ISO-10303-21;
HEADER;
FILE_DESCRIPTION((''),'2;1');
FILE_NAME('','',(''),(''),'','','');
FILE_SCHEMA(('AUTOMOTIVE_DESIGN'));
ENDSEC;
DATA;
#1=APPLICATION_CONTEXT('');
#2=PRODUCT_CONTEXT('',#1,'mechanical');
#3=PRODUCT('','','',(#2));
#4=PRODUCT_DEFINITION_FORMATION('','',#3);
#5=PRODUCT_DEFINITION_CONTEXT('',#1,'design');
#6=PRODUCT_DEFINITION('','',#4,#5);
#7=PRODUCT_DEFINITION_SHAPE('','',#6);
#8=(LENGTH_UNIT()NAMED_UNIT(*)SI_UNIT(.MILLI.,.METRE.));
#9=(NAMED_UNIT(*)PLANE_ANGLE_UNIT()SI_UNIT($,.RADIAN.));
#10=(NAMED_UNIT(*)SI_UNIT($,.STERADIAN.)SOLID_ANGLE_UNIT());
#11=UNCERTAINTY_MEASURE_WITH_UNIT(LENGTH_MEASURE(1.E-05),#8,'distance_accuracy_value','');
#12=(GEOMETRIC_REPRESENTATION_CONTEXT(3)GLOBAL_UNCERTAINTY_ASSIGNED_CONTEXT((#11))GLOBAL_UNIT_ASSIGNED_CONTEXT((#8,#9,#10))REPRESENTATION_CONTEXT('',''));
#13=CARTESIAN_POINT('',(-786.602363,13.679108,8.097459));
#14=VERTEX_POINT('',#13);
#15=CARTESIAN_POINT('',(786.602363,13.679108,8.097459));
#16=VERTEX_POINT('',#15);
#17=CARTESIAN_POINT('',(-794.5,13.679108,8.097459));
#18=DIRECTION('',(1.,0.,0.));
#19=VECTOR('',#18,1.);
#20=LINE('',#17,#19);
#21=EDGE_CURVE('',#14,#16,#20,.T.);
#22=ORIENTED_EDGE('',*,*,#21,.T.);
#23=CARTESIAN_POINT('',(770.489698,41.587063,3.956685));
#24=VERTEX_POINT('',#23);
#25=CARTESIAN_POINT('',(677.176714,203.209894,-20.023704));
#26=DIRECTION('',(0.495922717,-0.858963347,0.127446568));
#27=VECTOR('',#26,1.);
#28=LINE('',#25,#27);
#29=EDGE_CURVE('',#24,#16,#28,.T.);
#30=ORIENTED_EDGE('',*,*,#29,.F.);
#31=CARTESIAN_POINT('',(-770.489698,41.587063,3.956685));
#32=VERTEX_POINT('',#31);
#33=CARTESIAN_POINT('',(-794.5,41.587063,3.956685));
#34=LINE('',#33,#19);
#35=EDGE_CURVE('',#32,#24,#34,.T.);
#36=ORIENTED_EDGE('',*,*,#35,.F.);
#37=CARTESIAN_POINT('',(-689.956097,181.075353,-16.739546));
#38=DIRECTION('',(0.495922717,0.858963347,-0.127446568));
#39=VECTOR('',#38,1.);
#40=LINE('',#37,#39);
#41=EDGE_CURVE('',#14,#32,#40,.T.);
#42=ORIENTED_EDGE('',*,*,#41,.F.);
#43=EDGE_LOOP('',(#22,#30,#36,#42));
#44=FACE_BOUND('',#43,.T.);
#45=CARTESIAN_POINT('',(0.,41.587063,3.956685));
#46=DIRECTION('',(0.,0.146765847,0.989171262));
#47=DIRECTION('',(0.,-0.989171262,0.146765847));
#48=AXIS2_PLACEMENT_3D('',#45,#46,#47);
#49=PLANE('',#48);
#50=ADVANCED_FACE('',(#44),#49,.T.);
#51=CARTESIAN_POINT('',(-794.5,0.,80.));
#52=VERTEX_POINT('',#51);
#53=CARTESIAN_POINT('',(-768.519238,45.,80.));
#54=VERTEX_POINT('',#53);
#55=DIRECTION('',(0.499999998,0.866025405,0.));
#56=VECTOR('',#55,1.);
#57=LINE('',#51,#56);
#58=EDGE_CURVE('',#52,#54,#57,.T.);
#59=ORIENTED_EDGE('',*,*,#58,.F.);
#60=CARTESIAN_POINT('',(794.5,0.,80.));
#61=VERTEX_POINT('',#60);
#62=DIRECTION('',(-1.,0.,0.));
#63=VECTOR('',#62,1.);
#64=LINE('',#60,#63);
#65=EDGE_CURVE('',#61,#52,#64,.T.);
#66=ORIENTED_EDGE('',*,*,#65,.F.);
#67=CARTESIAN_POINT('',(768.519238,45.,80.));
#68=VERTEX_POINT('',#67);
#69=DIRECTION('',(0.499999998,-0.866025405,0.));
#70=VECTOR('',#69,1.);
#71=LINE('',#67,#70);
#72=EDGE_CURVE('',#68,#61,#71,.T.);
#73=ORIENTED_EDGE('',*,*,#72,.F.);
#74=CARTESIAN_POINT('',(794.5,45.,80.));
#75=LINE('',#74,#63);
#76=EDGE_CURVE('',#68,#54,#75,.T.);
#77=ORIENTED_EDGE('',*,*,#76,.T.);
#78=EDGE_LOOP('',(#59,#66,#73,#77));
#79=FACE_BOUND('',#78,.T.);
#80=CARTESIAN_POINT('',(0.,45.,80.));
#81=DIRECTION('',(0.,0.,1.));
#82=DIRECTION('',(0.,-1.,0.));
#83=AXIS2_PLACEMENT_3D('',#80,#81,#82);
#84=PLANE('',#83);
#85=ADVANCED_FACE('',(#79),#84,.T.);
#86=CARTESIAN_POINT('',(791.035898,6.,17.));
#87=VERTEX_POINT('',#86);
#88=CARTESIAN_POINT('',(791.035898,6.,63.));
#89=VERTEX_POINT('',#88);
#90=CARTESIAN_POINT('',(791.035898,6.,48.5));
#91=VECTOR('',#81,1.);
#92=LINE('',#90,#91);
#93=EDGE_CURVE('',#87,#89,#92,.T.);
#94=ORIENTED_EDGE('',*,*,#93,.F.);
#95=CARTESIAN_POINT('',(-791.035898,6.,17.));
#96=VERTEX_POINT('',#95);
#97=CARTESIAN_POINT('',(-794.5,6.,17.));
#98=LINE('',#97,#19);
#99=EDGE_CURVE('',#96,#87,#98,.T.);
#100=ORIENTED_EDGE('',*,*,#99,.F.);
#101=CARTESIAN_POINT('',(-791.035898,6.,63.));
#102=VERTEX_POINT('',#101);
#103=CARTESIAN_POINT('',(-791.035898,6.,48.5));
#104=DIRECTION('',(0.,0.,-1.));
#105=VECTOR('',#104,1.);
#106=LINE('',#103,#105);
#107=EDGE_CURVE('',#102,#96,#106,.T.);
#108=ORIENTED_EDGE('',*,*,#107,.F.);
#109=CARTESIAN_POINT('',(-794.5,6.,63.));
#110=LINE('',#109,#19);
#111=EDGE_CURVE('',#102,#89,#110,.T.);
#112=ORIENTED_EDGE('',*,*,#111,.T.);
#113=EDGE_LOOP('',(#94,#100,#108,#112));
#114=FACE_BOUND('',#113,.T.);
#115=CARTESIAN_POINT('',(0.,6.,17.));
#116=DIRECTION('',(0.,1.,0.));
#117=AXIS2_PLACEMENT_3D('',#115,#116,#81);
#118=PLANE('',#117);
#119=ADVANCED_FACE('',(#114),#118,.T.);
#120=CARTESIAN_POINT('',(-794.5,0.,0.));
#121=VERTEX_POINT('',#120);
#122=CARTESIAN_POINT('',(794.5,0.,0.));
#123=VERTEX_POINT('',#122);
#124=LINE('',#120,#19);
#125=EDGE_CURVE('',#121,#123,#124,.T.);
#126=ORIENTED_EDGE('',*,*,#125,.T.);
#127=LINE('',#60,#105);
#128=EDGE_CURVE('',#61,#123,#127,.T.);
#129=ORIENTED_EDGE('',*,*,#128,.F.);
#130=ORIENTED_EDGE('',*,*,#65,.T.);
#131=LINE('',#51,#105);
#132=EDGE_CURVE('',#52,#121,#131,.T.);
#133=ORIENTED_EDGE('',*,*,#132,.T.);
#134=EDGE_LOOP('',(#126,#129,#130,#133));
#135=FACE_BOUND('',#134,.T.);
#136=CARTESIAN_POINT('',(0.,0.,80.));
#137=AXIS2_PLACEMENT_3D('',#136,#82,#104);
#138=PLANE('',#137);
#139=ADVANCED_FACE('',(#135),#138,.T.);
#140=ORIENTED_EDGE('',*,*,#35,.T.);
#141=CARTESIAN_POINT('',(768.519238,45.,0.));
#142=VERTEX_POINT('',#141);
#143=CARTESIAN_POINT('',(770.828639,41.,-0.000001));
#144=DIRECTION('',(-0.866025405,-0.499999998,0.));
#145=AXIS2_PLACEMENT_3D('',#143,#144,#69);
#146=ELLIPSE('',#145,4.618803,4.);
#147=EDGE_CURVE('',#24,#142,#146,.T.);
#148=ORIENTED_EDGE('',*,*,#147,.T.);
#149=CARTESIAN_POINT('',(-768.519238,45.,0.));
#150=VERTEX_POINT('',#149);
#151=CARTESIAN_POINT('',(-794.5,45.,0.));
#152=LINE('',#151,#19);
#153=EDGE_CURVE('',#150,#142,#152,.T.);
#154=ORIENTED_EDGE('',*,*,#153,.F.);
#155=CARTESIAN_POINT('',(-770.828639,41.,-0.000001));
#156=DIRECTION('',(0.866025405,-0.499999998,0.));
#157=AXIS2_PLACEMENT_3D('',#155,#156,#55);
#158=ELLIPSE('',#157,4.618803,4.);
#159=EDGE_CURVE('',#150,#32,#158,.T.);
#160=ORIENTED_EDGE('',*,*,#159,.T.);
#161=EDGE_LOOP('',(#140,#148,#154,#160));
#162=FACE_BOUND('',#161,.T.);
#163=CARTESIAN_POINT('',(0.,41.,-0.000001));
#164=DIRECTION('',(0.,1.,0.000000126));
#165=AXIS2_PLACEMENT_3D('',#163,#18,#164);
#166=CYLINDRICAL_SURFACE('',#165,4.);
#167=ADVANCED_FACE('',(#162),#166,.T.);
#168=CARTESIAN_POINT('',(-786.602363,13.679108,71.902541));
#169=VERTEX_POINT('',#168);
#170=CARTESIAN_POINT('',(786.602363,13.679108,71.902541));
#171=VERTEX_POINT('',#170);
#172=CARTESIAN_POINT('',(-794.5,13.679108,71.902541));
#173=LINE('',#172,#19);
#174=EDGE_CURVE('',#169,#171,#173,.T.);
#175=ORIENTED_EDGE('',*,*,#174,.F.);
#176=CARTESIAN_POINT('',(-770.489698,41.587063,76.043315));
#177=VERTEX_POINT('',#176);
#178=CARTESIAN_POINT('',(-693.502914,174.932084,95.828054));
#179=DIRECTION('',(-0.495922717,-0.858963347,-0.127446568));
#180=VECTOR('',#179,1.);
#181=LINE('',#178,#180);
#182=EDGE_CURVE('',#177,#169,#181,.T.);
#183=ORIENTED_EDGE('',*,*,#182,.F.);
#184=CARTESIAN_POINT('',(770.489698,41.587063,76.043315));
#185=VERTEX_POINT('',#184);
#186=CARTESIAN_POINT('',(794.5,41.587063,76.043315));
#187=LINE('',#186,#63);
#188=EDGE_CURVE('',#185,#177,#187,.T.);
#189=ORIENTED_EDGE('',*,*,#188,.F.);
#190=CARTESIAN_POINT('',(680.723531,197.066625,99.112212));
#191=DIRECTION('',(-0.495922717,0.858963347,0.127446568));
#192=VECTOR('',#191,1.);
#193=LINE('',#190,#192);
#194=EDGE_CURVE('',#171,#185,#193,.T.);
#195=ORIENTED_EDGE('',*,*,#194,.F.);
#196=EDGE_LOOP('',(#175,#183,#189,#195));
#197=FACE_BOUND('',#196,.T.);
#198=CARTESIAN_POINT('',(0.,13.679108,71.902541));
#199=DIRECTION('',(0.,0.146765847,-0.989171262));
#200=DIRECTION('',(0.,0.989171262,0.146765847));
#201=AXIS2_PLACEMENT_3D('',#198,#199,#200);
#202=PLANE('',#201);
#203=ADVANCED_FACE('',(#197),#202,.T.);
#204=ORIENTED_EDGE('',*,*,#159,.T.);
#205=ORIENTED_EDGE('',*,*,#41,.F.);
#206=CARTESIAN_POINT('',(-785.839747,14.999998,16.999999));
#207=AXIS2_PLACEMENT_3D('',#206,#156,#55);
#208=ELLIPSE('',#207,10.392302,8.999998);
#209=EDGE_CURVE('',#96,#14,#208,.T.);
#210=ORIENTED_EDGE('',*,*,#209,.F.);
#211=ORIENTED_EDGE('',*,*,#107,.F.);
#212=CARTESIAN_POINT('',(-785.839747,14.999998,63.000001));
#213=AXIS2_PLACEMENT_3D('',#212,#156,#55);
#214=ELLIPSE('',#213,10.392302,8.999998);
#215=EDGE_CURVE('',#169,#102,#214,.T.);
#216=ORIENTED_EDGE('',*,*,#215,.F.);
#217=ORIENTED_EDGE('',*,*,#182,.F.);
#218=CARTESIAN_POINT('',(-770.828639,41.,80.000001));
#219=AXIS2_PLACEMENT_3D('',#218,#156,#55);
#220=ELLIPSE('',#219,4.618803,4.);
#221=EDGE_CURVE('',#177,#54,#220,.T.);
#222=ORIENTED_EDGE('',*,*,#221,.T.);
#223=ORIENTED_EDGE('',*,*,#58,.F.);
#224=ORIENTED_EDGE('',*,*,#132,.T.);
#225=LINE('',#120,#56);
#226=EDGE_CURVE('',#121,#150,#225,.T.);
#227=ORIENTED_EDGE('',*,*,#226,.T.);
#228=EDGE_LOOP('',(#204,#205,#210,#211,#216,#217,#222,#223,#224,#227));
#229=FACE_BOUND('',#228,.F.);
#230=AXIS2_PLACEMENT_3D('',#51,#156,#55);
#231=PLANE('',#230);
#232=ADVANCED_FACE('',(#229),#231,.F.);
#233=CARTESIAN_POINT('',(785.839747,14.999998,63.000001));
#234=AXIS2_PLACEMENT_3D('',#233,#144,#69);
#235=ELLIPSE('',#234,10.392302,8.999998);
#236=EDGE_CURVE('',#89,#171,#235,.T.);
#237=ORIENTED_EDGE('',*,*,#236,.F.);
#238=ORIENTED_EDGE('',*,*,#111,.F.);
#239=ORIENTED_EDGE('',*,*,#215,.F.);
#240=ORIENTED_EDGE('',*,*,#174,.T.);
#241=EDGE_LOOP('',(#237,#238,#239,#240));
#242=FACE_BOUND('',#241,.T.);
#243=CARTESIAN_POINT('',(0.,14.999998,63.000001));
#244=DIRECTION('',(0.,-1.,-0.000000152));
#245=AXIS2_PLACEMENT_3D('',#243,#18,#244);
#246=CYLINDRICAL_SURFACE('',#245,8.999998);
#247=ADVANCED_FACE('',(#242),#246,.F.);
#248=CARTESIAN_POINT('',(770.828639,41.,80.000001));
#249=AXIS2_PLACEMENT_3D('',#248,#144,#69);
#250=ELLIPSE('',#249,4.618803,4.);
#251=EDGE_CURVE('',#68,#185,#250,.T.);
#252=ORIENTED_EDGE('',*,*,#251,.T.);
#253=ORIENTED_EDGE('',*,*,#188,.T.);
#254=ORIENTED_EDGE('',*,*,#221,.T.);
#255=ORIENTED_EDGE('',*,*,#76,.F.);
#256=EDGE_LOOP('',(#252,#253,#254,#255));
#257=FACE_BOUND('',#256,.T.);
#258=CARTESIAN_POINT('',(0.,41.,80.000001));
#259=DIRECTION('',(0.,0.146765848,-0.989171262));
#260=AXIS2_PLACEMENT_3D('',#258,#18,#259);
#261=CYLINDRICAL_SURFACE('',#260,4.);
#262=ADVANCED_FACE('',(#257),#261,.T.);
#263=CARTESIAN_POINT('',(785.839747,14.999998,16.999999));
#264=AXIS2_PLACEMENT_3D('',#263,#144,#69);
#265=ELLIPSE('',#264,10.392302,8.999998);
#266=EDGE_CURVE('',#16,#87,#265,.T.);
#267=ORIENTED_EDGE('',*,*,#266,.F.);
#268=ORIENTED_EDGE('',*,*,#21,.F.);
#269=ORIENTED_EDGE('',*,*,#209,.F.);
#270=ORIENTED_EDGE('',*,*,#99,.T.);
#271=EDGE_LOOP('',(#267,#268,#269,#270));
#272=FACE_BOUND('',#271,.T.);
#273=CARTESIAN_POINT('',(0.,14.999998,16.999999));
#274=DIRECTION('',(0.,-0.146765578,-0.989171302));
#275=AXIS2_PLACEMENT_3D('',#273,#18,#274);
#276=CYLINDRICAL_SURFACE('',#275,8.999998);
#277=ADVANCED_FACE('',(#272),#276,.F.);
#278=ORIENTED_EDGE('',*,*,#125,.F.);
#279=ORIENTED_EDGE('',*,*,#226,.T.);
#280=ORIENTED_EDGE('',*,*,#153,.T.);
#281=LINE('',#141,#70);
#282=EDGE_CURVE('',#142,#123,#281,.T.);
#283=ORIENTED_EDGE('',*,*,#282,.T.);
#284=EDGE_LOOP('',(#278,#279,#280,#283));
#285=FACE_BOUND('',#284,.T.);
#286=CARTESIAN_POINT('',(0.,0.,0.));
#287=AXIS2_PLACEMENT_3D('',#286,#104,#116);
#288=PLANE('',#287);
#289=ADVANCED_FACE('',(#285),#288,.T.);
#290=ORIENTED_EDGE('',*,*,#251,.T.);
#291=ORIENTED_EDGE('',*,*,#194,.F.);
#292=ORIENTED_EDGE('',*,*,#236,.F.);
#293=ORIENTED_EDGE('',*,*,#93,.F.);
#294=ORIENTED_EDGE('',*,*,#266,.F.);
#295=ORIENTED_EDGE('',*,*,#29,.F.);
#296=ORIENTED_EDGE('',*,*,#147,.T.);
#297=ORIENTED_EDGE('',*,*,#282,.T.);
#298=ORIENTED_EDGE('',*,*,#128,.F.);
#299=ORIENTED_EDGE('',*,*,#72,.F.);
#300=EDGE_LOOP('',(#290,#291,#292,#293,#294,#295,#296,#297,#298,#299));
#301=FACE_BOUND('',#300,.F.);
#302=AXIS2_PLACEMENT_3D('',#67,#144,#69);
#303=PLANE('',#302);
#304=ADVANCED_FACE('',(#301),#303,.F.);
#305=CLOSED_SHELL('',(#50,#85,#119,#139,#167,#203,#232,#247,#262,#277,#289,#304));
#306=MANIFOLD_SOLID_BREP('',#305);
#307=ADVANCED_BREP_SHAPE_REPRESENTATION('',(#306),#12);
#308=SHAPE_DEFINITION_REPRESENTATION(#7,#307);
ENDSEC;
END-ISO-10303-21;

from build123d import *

# Parameters (mm, degrees)
F2_DEPTH = 794.5
F4_DEPTH = 80


with BuildPart() as f2:
    # F1 (on Right) → F2 (new body, symmetric)
    with BuildSketch(Plane.YZ):
        with BuildLine():
            Line((0, 80), (0, 40))
            Line((0, 40), (6, 40))
            Line((6, 40), (6, 63))
            ThreePointArc((6, 63), (8.185015, 68.878434), (13.679108, 71.902541))
            Line((13.679108, 71.902541), (41.587063, 76.043315))
            ThreePointArc((41.587063, 76.043315), (44.028882, 77.387363), (45, 80))
            Line((45, 80), (0, 80))
        make_face()
        with BuildLine():
            Line((6, 40), (0, 40))
            Line((0, 40), (0, 0))
            Line((0, 0), (45, 0))
            ThreePointArc((45, 0), (44.028882, 2.612637), (41.587063, 3.956685))
            Line((41.587063, 3.956685), (13.679108, 8.097459))
            ThreePointArc((13.679108, 8.097459), (8.185015, 11.121566), (6, 17))
            Line((6, 17), (6, 40))
        make_face()
    extrude(amount=F2_DEPTH, both=True)

    # F3 (on face) → F4 (cut, through all)
    with BuildSketch(Plane.XY.offset(80)):
        Polygon((-768.519238, 45), (-794.5, 45), (-794.5, 0), align=None)
        Polygon((794.5, 45), (768.519238, 45), (794.5, 0), align=None)
    extrude(amount=-F4_DEPTH, mode=Mode.SUBTRACT)


solid = f2.part
